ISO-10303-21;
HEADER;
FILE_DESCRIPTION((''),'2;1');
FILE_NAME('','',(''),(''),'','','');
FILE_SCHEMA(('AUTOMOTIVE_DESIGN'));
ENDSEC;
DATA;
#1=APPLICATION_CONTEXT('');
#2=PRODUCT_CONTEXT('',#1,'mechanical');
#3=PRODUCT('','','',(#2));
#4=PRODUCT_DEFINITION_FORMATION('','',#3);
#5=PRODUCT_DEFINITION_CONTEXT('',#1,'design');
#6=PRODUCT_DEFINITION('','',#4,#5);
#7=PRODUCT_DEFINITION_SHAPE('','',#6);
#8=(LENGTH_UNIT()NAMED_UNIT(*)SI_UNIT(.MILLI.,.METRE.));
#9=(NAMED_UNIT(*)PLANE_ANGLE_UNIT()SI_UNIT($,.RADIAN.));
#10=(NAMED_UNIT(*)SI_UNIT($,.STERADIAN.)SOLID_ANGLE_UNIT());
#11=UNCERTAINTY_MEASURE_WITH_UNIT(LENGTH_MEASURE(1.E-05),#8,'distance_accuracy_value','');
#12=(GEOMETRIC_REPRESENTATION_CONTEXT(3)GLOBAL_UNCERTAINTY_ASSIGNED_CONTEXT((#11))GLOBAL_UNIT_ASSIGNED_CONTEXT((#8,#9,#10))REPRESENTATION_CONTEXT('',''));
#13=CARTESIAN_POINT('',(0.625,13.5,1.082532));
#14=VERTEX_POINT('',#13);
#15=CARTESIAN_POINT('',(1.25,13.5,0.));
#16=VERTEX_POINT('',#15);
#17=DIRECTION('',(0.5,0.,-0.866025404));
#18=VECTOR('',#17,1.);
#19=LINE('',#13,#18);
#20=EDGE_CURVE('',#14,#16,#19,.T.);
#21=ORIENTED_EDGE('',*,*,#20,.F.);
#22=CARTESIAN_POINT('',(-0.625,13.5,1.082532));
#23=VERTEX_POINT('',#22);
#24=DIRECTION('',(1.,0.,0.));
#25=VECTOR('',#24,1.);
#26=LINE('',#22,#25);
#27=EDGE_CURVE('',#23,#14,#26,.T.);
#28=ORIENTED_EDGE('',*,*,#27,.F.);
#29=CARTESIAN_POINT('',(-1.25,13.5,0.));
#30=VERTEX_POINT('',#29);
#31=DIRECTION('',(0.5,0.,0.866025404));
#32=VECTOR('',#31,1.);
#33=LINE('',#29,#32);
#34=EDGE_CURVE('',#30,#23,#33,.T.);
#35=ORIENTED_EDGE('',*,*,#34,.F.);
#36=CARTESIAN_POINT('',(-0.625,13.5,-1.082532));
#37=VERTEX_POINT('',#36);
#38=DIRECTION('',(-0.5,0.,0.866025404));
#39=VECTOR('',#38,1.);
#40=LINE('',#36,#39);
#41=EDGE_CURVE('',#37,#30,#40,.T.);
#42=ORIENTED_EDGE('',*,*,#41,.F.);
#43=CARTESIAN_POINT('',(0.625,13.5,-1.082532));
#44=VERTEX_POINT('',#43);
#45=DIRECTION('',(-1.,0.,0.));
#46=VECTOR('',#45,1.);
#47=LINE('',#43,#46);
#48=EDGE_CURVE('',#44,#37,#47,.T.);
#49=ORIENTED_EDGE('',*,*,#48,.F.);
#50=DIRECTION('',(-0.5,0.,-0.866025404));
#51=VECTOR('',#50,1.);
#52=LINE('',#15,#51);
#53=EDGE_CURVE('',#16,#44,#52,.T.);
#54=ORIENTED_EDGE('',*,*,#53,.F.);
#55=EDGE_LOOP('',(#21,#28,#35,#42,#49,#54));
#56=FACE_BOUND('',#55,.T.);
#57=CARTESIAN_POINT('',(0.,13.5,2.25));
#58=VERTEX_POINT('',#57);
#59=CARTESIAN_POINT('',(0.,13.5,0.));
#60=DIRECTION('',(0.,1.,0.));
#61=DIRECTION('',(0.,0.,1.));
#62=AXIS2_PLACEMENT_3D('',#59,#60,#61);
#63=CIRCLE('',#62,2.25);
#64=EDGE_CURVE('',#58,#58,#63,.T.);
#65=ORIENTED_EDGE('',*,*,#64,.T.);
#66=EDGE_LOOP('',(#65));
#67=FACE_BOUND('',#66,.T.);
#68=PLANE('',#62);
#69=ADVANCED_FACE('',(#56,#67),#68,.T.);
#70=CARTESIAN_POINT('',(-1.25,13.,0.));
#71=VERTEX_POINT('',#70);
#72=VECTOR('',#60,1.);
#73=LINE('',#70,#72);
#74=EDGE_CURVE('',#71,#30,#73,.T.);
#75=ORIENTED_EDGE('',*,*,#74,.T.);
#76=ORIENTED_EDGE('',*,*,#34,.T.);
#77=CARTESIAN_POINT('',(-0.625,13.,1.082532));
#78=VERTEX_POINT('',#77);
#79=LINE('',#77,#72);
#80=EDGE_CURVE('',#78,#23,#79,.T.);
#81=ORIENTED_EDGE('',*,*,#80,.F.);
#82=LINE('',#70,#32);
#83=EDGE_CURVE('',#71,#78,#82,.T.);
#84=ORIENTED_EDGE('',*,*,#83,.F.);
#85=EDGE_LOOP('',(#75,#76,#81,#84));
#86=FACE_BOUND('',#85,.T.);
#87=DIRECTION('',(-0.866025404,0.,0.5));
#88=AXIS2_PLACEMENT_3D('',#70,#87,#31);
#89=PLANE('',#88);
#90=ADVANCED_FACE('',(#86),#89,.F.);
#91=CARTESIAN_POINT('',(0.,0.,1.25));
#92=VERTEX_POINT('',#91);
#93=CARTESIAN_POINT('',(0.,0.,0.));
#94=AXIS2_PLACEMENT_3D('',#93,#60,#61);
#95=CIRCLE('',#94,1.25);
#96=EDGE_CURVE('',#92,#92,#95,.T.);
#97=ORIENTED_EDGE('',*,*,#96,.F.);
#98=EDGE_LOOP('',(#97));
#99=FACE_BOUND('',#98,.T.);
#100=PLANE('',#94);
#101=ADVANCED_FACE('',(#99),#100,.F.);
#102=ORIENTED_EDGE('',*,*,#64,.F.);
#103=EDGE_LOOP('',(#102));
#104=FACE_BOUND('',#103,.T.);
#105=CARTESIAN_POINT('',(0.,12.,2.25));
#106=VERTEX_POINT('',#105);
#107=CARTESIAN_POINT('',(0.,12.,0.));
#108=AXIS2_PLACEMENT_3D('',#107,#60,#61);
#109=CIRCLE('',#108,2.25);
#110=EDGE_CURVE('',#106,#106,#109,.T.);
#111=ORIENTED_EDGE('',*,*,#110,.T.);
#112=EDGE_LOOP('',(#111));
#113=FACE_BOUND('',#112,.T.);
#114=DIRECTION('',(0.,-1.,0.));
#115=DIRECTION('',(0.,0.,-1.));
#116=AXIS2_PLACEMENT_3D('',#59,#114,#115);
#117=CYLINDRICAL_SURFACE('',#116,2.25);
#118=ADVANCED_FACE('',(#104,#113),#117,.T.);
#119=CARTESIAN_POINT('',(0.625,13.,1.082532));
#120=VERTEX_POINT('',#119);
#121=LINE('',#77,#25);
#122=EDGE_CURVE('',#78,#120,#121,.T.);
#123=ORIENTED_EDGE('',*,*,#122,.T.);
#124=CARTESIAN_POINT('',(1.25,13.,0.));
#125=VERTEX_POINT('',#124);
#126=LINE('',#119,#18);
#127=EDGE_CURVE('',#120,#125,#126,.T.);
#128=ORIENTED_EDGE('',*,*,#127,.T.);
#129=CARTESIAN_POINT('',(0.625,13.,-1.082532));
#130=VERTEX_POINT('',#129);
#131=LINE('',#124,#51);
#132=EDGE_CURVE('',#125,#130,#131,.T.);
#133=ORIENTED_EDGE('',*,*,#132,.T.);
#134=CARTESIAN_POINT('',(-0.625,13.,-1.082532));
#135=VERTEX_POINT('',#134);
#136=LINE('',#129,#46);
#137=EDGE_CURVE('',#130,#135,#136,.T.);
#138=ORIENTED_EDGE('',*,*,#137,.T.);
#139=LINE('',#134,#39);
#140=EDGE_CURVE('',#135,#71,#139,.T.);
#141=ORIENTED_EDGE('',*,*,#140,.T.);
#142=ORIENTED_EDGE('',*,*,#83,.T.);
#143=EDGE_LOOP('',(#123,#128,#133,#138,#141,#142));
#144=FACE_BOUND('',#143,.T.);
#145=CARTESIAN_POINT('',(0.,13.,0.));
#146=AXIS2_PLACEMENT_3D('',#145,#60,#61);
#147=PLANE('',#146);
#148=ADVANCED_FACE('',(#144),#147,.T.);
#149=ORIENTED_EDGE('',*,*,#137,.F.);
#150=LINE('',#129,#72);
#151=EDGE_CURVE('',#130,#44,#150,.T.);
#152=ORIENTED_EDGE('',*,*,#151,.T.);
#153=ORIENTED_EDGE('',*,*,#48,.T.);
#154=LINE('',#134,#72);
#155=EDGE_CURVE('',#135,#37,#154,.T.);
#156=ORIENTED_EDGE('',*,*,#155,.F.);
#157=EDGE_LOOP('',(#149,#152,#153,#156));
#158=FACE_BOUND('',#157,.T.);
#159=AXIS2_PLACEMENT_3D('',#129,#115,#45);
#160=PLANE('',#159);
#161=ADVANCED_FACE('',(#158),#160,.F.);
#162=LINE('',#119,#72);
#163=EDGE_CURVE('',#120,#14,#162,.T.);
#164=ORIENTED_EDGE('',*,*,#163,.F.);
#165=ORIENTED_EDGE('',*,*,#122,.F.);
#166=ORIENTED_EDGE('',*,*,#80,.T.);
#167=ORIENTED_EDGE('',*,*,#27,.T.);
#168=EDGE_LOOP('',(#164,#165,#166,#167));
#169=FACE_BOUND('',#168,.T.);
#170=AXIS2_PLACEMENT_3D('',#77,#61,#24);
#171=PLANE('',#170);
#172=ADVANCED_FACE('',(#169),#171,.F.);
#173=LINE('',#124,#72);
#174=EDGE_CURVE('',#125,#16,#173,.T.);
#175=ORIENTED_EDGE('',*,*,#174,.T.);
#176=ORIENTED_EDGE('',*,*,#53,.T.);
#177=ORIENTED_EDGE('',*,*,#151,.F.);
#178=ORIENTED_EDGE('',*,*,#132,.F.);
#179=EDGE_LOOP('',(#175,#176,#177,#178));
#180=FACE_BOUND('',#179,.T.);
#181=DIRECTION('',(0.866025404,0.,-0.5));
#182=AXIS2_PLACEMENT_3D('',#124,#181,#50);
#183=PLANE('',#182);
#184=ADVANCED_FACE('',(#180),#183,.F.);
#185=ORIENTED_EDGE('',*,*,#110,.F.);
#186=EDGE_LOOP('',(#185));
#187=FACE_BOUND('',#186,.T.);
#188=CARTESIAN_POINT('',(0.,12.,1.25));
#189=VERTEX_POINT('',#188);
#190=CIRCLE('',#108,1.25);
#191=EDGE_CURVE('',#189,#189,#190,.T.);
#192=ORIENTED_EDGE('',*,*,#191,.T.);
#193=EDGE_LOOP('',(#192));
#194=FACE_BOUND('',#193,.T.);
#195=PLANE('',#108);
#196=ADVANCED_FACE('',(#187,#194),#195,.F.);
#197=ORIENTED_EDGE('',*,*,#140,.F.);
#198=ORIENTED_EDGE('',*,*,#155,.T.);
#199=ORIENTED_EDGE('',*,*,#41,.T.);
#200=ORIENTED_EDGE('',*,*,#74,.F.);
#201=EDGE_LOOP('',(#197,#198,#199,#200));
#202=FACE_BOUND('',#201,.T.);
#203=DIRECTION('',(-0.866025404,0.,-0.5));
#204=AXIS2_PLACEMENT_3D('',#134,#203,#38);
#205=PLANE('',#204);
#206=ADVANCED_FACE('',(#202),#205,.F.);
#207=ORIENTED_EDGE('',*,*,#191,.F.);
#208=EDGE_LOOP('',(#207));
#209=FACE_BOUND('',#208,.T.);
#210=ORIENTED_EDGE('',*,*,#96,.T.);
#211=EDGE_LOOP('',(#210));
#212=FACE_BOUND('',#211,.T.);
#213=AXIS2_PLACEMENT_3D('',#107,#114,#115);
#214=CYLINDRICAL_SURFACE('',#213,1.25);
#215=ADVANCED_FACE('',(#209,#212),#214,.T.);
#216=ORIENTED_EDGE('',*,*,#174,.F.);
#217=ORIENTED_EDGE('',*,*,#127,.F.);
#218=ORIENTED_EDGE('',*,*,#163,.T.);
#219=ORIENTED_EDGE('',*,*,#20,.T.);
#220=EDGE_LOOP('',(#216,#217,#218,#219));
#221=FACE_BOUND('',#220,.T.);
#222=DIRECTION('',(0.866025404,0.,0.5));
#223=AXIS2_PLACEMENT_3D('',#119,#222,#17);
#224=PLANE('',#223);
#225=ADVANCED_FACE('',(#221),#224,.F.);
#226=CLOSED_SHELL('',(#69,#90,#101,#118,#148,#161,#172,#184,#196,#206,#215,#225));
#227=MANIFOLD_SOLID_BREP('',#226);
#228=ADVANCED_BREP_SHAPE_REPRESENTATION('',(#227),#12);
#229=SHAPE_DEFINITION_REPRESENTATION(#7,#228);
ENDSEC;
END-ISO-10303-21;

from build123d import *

# Parameters (mm, degrees)
SKETCH1_R           = 1.25
BOSS_EXTRUDE1_DEPTH = 12
SKETCH4_R           = 2.25
BOSS_EXTRUDE2_DEPTH = 1.5
CUT_EXTRUDE1_DEPTH  = 0.5


with BuildPart() as part:
    # Sketch1 → Boss-Extrude1 (new body)
    with BuildSketch(Plane(origin=(0, 0, 0), x_dir=(1, 0, 0), z_dir=(0, 1, 0))):
        Circle(SKETCH1_R)
    extrude(amount=BOSS_EXTRUDE1_DEPTH)

    # Sketch4 → Boss-Extrude2 (add)
    with BuildSketch(Plane(origin=(0, 12, 0), x_dir=(1, 0, 0), z_dir=(0, 1, 0))):
        Circle(SKETCH4_R)
    extrude(amount=BOSS_EXTRUDE2_DEPTH)

    # Sketch5 → Cut-Extrude1 (cut)
    with BuildSketch(Plane(origin=(0, 13.5, 0), x_dir=(1, 0, 0), z_dir=(0, 1, 0))):
        Polygon((1.25, 0), (0.625, 1.082531755), (-0.625, 1.082531755), (-1.25, 0), (-0.625, -1.082531755), (0.625, -1.082531755), align=None)
    extrude(amount=-CUT_EXTRUDE1_DEPTH, mode=Mode.SUBTRACT)


solid = part.part
